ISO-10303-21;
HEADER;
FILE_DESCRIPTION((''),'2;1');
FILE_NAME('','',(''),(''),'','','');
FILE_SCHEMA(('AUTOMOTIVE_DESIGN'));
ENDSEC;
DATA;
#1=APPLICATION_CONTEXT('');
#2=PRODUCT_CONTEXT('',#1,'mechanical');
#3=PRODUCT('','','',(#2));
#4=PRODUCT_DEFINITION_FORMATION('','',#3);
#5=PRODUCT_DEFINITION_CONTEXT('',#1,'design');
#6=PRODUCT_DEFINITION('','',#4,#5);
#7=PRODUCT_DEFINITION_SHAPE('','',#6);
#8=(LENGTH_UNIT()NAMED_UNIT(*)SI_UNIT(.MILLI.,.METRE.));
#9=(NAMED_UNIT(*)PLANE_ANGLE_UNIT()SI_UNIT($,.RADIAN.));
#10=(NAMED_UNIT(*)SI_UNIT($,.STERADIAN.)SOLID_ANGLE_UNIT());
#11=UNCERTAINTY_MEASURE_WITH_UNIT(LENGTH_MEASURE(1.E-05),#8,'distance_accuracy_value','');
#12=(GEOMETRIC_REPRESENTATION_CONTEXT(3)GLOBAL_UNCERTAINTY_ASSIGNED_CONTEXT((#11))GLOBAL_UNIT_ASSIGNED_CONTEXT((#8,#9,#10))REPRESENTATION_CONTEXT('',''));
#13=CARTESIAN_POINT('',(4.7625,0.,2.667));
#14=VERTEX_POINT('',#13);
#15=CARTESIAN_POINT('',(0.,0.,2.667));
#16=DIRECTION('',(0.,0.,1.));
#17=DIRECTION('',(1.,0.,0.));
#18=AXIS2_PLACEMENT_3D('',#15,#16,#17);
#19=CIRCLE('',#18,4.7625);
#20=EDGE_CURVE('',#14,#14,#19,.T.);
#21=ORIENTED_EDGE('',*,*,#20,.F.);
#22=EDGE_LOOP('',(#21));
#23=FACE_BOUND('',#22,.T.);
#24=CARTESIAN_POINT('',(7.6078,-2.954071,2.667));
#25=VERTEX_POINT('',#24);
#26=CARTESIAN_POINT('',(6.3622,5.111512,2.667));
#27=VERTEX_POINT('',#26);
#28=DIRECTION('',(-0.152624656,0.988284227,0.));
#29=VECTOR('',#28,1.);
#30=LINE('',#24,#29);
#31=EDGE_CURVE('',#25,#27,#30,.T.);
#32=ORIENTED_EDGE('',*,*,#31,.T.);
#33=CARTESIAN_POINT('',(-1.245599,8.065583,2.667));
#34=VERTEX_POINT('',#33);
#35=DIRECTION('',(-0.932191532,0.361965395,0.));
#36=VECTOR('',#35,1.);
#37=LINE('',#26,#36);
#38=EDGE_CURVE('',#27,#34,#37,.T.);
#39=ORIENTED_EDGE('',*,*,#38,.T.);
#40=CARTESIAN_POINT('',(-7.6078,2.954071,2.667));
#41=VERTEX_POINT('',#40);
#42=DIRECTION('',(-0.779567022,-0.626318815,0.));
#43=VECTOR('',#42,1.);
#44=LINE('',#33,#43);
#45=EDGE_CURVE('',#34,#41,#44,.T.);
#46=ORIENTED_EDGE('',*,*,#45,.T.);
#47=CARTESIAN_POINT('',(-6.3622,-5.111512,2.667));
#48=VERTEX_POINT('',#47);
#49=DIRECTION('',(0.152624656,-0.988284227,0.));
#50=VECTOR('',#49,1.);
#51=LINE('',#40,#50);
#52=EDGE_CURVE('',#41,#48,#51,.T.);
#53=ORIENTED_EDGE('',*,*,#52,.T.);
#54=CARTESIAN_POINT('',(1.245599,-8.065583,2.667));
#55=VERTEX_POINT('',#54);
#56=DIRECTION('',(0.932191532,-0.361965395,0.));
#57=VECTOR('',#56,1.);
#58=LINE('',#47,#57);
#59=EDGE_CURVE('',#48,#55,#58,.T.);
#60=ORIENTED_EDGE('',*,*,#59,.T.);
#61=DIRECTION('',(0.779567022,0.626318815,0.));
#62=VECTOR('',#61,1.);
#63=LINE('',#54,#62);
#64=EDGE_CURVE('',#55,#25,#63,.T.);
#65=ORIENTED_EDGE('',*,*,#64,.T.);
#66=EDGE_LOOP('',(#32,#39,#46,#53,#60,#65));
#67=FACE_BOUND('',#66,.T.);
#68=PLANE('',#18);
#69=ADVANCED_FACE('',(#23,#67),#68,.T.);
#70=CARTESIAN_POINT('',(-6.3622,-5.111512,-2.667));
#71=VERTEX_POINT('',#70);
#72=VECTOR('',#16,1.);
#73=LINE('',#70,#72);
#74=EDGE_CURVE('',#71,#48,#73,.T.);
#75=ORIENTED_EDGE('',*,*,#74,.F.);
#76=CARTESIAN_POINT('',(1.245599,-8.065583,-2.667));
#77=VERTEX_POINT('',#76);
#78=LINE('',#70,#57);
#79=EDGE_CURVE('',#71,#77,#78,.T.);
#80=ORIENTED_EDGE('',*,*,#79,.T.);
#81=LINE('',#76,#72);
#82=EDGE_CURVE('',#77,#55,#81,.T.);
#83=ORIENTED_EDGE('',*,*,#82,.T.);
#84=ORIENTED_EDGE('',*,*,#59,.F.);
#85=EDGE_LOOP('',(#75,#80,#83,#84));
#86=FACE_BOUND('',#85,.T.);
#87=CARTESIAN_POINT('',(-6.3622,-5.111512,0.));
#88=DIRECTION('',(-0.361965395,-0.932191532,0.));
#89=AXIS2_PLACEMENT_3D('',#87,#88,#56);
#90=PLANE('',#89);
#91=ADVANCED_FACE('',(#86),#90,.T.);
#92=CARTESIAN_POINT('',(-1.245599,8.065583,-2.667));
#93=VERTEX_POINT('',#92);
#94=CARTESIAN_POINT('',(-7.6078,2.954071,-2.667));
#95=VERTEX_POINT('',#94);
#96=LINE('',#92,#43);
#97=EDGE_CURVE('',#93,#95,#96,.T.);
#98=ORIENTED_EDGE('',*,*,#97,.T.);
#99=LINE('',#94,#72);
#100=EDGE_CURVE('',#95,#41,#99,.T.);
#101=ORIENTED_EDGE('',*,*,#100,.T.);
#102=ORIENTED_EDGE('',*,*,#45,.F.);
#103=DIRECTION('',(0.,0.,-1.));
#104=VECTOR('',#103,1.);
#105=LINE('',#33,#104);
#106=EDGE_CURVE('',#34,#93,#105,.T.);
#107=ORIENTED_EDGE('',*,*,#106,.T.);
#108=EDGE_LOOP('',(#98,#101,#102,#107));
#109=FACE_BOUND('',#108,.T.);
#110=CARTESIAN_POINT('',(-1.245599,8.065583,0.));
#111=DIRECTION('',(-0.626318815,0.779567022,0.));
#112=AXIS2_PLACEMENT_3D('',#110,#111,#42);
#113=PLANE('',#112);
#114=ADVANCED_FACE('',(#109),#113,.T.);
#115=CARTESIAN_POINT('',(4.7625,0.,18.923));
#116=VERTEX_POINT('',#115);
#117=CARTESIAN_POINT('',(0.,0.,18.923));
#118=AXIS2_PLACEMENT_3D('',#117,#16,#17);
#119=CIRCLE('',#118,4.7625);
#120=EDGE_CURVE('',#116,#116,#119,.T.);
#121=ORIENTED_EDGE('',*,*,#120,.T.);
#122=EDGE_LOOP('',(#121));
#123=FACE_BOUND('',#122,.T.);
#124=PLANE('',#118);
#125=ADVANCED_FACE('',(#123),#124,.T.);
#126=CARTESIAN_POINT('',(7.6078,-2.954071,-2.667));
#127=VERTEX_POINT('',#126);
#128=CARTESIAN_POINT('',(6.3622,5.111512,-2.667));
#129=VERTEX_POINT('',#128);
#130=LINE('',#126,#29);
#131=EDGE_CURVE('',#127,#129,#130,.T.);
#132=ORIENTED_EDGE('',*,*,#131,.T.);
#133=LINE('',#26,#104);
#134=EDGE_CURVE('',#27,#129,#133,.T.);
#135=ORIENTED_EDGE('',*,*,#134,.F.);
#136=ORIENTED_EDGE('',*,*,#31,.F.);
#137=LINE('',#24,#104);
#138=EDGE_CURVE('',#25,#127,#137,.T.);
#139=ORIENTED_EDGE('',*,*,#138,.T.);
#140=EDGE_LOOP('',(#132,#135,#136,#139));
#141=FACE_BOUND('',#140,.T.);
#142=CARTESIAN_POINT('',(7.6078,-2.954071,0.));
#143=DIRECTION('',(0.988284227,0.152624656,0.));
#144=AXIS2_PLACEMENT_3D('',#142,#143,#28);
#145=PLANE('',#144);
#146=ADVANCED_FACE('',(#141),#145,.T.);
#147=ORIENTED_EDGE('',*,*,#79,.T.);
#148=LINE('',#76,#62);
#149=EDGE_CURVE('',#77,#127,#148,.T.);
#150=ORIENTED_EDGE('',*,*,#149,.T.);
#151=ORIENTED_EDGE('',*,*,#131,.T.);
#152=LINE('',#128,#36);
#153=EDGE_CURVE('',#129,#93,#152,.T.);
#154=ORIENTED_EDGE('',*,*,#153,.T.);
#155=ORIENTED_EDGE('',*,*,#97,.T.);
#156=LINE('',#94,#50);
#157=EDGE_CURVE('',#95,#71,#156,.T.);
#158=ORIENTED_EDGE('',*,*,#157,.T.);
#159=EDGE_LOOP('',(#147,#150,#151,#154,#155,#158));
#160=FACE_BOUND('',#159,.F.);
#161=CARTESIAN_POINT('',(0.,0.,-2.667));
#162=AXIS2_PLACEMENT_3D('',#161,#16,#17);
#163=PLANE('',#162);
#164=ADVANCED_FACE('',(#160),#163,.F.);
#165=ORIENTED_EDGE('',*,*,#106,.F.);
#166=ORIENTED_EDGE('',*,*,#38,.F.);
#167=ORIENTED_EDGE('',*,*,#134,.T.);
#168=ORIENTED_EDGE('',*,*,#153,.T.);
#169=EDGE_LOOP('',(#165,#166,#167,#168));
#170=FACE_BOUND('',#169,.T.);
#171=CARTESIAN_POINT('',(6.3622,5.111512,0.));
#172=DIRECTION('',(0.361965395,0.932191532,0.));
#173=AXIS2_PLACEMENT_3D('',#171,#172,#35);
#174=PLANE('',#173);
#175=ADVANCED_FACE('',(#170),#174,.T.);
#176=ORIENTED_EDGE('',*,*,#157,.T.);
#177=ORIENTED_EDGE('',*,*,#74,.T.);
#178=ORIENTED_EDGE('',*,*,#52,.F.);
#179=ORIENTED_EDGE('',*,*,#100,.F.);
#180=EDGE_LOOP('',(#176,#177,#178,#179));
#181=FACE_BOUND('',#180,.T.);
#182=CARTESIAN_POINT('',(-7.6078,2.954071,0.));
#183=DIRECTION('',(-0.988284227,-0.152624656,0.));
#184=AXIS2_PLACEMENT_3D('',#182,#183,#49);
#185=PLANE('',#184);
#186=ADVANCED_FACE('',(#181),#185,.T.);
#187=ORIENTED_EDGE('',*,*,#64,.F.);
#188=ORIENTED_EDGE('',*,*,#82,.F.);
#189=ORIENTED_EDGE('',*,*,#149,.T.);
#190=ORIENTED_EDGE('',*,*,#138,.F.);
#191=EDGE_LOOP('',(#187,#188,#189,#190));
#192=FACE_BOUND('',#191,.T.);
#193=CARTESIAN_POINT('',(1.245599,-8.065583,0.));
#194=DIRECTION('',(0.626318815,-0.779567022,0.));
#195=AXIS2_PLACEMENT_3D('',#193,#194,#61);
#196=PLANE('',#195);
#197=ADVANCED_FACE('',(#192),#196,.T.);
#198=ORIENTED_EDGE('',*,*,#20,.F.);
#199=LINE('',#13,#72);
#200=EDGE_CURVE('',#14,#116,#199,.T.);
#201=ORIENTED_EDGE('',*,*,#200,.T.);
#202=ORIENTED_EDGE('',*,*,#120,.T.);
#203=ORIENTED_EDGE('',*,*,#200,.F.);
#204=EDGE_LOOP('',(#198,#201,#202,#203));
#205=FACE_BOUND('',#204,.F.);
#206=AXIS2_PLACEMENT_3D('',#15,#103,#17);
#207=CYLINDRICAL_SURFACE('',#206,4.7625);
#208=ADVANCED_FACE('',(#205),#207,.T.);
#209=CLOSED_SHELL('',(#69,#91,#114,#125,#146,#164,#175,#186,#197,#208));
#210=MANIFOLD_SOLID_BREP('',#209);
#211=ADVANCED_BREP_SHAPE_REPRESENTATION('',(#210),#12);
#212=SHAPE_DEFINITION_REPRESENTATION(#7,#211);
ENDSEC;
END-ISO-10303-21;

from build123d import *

# Parameters (mm, degrees)
F1_DEPTH = 2.667
F2_R     = 4.7625
F3_DEPTH = 16.256


with BuildPart() as f1:
    # F0 (on Top) → F1 (new body, symmetric)
    with BuildSketch(Plane.XY):
        Polygon((-1.245599, 8.065583), (-7.6078, 2.954071), (-6.3622, -5.111512), (1.245599, -8.065583), (7.6078, -2.954071), (6.3622, 5.111512), align=None)
    extrude(amount=F1_DEPTH, both=True)

    # F2 (on face) → F3 (join)
    with BuildSketch(Plane.XY.offset(2.667)):
        Circle(F2_R)
    extrude(amount=F3_DEPTH)


solid = f1.part
